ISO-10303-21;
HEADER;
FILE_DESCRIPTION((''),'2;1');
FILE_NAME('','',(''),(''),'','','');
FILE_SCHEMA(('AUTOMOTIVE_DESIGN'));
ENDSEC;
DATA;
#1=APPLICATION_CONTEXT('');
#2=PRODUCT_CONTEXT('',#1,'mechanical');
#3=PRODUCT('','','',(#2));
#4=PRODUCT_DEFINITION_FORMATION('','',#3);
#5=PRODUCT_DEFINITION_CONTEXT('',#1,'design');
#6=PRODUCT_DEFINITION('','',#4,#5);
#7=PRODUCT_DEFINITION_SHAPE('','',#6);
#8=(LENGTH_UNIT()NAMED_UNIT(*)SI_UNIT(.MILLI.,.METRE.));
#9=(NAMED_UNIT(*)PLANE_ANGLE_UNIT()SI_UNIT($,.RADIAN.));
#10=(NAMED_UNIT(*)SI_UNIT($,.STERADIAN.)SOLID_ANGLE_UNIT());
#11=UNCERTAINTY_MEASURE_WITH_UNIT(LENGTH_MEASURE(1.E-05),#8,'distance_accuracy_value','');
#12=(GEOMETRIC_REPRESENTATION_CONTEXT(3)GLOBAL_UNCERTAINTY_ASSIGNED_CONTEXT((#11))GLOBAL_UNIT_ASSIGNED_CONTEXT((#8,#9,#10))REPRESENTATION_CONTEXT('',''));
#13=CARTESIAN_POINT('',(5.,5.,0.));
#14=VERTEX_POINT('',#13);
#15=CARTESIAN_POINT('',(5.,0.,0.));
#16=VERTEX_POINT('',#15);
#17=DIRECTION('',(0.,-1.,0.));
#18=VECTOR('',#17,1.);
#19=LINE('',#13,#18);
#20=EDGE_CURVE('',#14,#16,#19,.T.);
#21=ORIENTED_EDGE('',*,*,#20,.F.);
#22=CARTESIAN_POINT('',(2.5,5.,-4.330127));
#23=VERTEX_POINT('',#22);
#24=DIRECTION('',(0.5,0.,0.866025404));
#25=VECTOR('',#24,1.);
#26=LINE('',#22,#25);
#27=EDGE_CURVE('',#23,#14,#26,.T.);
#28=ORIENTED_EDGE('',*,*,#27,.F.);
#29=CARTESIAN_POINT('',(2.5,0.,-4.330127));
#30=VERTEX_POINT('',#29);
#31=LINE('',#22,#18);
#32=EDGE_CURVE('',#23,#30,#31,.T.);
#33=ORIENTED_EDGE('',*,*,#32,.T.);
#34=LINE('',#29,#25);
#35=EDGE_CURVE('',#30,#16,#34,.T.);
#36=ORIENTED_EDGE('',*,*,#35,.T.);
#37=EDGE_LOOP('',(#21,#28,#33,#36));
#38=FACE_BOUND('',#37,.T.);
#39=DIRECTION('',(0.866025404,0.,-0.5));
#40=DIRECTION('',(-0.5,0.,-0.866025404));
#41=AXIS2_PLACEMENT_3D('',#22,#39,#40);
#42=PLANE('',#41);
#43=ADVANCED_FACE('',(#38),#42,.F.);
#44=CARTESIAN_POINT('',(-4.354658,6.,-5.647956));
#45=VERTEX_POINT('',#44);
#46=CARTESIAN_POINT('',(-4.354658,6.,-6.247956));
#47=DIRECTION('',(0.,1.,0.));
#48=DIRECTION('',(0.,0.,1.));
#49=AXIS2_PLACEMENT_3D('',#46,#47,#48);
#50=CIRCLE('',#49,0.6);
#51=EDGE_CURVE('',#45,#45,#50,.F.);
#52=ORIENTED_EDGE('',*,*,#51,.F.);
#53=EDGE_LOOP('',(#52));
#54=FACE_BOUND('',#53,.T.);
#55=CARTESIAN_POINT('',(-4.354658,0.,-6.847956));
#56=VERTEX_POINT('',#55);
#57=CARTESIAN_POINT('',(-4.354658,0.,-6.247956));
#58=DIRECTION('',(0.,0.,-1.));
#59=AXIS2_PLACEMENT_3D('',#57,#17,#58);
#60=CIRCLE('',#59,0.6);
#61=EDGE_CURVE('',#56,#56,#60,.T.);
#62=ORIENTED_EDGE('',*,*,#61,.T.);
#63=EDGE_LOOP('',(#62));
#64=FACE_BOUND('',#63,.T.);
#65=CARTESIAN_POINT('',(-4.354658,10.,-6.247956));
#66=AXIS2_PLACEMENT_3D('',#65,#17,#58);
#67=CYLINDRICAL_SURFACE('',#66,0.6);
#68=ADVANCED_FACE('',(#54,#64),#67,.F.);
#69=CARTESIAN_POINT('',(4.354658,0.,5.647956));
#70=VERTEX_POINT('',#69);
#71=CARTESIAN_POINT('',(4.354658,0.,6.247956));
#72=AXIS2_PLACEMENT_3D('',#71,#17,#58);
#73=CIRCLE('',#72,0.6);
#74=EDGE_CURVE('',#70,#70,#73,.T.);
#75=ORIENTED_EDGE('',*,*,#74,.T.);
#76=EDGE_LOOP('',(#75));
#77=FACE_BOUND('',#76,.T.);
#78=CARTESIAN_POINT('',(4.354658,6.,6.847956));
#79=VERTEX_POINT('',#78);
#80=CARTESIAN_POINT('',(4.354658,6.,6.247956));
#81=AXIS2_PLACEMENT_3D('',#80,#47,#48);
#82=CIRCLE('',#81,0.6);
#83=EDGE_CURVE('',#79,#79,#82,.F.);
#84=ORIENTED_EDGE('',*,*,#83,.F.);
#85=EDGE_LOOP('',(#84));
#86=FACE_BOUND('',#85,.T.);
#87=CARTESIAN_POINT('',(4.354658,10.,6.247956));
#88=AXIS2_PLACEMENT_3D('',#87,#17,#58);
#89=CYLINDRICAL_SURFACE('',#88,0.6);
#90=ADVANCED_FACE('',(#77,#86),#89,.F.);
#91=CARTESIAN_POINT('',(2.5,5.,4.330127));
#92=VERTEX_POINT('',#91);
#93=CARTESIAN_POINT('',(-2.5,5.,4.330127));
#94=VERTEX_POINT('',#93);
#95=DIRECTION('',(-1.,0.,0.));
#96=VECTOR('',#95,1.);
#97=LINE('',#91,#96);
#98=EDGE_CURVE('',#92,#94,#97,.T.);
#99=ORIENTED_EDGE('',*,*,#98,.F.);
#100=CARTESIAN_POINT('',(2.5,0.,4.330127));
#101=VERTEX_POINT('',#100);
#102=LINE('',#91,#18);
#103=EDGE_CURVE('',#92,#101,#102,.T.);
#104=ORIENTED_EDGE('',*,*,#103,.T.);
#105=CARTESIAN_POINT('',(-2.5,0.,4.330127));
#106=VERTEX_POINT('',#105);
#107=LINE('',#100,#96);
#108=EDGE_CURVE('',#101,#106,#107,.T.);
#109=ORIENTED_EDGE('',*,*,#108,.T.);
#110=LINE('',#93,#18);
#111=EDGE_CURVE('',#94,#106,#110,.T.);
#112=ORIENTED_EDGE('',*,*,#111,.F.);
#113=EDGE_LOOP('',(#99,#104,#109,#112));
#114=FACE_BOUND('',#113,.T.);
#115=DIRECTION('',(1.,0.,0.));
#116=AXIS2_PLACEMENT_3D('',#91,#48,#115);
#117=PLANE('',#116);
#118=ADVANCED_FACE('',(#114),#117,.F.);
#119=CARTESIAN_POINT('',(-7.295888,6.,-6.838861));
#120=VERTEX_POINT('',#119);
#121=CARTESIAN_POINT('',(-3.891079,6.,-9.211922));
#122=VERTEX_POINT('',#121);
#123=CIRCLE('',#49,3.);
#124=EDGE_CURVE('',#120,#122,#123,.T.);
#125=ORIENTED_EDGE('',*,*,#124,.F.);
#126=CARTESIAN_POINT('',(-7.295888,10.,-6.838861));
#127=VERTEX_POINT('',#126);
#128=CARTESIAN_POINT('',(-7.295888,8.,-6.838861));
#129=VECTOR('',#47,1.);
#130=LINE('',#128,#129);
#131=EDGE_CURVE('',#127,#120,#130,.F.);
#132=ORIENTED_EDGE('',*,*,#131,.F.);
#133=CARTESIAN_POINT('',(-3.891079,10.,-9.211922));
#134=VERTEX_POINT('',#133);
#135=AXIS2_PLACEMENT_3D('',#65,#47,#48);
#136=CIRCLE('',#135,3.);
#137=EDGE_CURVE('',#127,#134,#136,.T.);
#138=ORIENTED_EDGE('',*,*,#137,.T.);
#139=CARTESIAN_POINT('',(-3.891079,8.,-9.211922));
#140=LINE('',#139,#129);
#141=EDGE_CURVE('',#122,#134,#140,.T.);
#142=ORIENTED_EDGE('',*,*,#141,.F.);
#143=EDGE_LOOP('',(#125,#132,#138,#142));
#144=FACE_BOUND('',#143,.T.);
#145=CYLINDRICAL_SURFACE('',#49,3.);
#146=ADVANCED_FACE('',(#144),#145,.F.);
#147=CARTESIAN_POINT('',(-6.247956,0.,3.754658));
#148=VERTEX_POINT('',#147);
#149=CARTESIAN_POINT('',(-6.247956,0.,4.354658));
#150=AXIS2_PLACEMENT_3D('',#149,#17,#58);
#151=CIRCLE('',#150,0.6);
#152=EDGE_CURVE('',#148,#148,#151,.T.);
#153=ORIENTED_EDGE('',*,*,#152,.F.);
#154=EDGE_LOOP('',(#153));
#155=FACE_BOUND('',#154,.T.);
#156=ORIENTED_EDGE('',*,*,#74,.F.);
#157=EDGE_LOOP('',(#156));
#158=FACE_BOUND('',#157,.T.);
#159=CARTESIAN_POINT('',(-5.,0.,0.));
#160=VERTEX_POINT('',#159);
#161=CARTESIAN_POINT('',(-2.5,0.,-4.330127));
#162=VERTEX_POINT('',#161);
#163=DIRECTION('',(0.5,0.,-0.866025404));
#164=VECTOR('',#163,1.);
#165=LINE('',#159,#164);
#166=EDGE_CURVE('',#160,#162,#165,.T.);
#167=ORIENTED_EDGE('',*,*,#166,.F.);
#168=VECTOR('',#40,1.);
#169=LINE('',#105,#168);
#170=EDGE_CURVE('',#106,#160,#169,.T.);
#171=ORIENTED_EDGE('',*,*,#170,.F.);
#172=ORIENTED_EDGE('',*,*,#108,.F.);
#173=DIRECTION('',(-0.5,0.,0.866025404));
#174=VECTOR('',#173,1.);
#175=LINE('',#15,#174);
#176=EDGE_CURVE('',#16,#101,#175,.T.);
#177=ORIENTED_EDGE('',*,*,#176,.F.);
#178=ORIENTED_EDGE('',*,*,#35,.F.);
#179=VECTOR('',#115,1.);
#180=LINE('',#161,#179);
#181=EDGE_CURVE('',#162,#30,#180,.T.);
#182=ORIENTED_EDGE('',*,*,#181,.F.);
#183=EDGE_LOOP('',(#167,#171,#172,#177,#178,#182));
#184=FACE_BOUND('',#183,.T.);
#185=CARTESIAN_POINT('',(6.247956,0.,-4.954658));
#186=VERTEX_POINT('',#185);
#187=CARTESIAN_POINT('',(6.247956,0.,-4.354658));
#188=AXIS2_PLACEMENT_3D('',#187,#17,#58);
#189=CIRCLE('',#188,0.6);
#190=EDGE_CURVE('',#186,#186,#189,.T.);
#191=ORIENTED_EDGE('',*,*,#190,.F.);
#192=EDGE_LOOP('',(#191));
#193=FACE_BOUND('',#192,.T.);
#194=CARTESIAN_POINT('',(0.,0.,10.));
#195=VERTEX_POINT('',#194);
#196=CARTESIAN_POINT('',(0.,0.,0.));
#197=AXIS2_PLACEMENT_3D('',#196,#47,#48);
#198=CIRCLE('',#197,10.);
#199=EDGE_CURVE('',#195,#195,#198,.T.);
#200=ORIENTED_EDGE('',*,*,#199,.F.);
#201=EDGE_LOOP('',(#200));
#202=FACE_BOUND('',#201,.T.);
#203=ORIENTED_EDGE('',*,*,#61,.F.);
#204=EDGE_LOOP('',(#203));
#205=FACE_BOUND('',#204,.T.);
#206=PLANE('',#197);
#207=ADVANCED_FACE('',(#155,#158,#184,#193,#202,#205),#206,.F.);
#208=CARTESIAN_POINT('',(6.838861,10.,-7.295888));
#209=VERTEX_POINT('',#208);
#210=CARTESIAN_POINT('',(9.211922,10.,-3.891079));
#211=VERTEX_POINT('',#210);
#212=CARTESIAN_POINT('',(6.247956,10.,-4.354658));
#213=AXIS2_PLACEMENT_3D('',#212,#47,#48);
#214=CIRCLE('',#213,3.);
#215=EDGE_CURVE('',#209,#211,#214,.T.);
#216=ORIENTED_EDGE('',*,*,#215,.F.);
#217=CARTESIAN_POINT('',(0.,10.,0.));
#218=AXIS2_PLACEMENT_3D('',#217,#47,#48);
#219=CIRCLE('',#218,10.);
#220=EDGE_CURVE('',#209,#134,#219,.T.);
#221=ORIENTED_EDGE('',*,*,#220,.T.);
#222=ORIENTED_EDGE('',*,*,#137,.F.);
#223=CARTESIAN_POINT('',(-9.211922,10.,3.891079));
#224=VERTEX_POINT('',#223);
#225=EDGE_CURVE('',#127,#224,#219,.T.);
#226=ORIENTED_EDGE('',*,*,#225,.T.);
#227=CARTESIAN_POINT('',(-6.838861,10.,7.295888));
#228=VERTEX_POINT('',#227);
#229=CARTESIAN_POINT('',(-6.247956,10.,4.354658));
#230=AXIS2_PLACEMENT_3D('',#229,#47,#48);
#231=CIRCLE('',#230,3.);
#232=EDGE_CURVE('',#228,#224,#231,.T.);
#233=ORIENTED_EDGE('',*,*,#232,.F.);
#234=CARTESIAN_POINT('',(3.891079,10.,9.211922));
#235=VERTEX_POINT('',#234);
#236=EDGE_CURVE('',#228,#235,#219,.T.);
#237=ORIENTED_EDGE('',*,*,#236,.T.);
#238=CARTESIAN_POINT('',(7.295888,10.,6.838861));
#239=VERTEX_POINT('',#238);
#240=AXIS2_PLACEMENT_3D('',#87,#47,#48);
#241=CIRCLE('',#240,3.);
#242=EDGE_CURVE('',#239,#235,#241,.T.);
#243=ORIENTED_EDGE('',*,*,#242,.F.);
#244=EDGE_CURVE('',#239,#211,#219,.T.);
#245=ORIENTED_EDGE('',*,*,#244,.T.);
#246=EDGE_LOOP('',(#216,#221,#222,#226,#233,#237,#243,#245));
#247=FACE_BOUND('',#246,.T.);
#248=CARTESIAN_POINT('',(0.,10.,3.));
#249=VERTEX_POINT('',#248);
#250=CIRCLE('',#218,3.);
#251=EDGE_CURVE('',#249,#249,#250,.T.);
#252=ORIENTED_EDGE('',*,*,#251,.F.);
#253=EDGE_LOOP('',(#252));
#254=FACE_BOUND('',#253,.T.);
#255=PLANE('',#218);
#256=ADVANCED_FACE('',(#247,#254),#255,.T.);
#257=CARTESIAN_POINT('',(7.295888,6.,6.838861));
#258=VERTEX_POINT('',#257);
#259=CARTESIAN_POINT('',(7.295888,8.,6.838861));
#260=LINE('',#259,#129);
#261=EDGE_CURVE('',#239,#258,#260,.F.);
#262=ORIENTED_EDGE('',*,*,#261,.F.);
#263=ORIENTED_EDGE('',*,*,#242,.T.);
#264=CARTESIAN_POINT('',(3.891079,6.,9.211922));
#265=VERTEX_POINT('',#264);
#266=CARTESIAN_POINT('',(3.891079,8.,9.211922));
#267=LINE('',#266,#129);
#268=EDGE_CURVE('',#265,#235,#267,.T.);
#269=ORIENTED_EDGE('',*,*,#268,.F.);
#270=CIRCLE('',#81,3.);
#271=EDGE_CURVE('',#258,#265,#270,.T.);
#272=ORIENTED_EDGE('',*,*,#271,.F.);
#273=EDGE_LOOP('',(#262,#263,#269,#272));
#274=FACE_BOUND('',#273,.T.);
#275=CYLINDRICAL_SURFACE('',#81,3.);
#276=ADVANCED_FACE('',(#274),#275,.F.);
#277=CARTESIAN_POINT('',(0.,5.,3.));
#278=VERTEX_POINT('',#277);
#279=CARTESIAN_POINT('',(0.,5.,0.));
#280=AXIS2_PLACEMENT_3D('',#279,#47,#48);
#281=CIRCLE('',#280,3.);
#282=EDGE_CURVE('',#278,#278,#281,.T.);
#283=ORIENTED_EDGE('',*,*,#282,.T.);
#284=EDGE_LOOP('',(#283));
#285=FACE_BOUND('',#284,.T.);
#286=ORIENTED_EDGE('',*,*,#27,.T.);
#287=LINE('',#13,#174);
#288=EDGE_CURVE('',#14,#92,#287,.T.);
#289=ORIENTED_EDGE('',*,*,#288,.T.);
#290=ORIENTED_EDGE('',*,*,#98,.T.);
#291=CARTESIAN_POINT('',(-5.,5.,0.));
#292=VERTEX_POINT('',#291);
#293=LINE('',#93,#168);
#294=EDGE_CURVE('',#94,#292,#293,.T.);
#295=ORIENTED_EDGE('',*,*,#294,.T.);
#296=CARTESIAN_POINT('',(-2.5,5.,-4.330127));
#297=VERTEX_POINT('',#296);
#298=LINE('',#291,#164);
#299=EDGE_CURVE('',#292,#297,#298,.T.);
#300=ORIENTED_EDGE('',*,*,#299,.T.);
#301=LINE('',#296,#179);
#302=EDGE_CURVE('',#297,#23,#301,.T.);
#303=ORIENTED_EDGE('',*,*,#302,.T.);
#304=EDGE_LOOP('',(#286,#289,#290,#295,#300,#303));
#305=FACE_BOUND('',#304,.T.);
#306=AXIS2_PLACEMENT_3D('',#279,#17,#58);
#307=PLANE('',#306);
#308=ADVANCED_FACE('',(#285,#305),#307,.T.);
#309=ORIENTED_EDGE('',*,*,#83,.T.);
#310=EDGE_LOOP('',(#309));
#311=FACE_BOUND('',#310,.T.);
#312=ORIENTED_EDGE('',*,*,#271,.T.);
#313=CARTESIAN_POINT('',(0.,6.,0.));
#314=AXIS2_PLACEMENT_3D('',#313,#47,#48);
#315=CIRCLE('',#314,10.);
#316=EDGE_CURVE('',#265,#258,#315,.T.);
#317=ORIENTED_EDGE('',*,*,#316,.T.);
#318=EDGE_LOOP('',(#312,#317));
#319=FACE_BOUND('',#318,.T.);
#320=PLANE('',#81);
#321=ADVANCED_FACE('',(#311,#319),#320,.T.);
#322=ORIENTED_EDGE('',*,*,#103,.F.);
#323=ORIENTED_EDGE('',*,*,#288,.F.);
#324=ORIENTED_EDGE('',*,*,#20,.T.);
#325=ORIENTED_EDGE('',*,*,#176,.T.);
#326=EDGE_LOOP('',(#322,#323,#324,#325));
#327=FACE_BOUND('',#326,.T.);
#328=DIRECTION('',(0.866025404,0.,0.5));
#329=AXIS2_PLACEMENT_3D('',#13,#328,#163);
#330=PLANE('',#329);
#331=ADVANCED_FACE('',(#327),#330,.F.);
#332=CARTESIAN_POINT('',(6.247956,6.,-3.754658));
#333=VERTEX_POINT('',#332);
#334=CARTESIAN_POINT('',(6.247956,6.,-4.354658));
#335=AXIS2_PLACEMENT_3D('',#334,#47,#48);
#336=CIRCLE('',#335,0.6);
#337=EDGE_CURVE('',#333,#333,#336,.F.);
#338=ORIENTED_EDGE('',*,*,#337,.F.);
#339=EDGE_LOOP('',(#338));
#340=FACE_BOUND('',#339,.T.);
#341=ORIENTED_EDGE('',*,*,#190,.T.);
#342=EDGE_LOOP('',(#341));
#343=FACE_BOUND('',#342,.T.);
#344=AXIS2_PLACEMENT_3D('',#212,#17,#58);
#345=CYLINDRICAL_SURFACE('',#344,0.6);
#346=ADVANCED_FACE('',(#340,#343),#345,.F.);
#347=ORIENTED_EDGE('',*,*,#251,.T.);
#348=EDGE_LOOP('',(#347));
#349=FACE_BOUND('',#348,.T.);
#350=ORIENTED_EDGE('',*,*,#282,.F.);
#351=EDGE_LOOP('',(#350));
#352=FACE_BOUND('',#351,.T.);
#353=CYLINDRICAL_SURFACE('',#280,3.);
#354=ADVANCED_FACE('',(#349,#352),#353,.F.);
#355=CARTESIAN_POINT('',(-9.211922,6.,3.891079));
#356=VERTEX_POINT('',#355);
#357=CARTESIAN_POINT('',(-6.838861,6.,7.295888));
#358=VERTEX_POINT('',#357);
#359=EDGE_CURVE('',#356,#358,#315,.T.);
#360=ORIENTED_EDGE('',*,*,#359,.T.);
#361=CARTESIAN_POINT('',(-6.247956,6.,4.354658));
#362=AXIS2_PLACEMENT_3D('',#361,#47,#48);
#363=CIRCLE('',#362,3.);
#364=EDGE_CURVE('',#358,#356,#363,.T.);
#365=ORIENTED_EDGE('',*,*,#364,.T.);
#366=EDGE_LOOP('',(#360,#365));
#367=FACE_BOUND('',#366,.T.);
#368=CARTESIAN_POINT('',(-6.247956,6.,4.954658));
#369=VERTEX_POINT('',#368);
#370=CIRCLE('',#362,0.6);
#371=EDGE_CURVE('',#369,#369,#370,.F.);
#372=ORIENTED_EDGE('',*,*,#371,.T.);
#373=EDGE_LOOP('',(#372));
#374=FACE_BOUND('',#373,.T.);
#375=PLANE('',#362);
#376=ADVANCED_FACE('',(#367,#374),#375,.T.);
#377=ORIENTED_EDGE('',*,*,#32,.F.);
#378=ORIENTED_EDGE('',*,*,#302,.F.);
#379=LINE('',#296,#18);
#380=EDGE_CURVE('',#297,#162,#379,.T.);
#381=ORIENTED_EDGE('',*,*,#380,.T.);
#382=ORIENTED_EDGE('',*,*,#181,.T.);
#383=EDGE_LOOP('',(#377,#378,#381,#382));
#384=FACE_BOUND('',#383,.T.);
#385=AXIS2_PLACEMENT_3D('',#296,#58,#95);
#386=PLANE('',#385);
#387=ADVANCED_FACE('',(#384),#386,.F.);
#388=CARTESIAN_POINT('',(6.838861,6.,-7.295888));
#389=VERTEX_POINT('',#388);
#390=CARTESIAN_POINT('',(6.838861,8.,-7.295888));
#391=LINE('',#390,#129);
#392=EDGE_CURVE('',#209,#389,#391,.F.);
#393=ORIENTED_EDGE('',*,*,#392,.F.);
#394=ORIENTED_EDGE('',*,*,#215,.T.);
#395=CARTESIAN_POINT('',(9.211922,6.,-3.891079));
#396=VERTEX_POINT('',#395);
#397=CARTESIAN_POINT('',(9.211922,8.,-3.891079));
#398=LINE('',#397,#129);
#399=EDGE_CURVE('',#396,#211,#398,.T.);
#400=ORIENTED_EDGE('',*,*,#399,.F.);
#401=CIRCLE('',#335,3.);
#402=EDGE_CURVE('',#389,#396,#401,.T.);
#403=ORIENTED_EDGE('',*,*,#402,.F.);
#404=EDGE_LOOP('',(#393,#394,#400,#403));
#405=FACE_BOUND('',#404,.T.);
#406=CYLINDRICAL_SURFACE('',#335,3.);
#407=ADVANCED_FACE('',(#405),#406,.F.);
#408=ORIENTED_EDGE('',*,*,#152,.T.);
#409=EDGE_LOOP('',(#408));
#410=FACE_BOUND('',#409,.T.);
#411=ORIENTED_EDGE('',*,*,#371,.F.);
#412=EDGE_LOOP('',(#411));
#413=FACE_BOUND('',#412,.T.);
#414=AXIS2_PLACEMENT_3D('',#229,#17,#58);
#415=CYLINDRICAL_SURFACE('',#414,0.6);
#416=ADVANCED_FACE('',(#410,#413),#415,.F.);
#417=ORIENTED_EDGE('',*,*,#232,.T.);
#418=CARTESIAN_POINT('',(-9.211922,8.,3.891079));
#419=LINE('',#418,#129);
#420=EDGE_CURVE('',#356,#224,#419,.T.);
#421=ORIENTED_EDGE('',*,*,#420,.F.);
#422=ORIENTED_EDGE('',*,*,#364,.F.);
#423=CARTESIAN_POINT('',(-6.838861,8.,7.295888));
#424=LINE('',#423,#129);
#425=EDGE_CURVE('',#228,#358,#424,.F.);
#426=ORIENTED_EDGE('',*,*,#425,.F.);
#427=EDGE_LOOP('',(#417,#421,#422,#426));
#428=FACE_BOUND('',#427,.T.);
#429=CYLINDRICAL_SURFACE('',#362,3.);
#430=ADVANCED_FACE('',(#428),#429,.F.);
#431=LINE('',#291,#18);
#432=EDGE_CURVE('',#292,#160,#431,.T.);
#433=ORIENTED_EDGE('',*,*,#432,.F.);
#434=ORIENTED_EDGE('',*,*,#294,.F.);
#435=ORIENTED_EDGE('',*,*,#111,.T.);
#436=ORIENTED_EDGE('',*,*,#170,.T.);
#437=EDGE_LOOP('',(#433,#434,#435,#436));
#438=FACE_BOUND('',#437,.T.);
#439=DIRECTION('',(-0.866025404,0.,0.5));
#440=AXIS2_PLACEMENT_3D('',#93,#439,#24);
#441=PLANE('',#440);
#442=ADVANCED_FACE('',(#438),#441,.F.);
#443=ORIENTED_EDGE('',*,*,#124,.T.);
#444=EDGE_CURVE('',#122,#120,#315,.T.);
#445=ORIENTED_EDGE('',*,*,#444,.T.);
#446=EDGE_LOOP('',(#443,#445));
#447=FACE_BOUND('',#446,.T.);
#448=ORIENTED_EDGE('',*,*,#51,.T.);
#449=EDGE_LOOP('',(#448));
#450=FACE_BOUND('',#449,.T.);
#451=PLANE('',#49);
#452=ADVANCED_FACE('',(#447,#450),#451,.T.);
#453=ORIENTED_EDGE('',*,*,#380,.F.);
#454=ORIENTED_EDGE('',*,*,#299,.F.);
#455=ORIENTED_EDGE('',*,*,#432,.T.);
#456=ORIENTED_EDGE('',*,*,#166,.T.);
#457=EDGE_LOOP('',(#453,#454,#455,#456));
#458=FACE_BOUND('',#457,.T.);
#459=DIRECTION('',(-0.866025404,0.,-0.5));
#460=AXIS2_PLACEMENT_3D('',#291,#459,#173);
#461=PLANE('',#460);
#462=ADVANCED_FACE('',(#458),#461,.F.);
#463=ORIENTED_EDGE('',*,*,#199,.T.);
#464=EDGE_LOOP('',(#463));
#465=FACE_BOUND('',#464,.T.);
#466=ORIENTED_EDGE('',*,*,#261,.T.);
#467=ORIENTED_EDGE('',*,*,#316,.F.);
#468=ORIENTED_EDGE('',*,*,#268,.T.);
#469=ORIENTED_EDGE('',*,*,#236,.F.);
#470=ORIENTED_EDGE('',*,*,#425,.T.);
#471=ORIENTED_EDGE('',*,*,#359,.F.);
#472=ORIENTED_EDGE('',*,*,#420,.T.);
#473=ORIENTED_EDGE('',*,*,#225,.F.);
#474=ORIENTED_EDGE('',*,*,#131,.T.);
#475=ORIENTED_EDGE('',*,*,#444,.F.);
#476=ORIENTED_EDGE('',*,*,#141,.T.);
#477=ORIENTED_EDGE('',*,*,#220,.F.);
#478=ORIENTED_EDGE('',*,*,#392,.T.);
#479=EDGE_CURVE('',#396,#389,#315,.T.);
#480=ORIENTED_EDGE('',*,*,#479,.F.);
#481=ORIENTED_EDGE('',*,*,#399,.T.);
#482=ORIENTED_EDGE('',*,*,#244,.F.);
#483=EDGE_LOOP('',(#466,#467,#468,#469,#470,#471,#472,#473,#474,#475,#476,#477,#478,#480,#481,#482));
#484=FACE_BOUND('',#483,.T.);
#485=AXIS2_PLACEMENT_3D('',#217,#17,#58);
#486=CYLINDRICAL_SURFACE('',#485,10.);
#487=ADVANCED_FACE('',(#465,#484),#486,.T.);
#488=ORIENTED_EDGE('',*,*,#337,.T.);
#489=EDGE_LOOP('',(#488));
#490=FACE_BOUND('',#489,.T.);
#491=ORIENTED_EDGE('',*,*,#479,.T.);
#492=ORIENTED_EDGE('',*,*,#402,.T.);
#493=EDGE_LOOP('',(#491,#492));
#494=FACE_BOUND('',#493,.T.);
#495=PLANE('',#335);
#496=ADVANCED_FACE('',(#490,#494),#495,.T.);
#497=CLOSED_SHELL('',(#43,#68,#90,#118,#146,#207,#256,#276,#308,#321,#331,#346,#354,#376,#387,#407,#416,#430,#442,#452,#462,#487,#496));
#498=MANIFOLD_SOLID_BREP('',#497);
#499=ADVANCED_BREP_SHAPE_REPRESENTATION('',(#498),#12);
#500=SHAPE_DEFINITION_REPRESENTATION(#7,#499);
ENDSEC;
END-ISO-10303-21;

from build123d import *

# Parameters (mm, degrees)
CROQUIS1_R              = 10
SALIENTE_EXTRUIR1_DEPTH = 10
CORTAR_EXTRUIR1_DEPTH   = 5
CROQUIS3_R              = 0.6
CORTAR_EXTRUIR2_DEPTH   = 10
CROQUIS4_R              = 3
CORTAR_EXTRUIR3_DEPTH   = 5
CROQUIS5_R              = 3
CORTAR_EXTRUIR4_DEPTH   = 4


with BuildPart() as part:
    # Croquis1 → Saliente-Extruir1 (new body)
    with BuildSketch(Plane(origin=(0, 0, 0), x_dir=(1, 0, 0), z_dir=(0, 1, 0))):
        Circle(CROQUIS1_R)
    extrude(amount=SALIENTE_EXTRUIR1_DEPTH)

    # Croquis2 → Cortar-Extruir1 (cut)
    with BuildSketch(Plane.XZ):
        Polygon((5, 0), (2.5, 4.330127019), (-2.5, 4.330127019), (-5, 0), (-2.5, -4.330127019), (2.5, -4.330127019), align=None)
    extrude(amount=-CORTAR_EXTRUIR1_DEPTH, mode=Mode.SUBTRACT)

    # Croquis3 → Cortar-Extruir2 (cut)
    with BuildSketch(Plane.XZ):
        with Locations((-6.247955751, 4.354658302)):
            Circle(CROQUIS3_R)
        with Locations((6.247955751, -4.354658302)):
            Circle(CROQUIS3_R)
        with Locations((4.354658302, 6.247955751)):
            Circle(CROQUIS3_R)
        with Locations((-4.354658302, -6.247955751)):
            Circle(CROQUIS3_R)
    extrude(amount=-CORTAR_EXTRUIR2_DEPTH, mode=Mode.SUBTRACT)

    # Croquis4 → Cortar-Extruir3 (cut)
    with BuildSketch(Plane(origin=(0, 10, 0), x_dir=(1, 0, 0), z_dir=(0, 1, 0))):
        Circle(CROQUIS4_R)
    extrude(amount=-CORTAR_EXTRUIR3_DEPTH, mode=Mode.SUBTRACT)

    # Croquis5 → Cortar-Extruir4 (cut)
    with BuildSketch(Plane(origin=(0, 10, 0), x_dir=(1, 0, 0), z_dir=(0, 1, 0))):
        with Locations((6.247955751, 4.354658302)):
            Circle(CROQUIS5_R)
        with Locations((-4.354658302, 6.247955751)):
            Circle(CROQUIS5_R)
        with Locations((-6.247955751, -4.354658302)):
            Circle(CROQUIS5_R)
        with Locations((4.354658302, -6.247955751)):
            Circle(CROQUIS5_R)
    extrude(amount=-CORTAR_EXTRUIR4_DEPTH, mode=Mode.SUBTRACT)


solid = part.part
